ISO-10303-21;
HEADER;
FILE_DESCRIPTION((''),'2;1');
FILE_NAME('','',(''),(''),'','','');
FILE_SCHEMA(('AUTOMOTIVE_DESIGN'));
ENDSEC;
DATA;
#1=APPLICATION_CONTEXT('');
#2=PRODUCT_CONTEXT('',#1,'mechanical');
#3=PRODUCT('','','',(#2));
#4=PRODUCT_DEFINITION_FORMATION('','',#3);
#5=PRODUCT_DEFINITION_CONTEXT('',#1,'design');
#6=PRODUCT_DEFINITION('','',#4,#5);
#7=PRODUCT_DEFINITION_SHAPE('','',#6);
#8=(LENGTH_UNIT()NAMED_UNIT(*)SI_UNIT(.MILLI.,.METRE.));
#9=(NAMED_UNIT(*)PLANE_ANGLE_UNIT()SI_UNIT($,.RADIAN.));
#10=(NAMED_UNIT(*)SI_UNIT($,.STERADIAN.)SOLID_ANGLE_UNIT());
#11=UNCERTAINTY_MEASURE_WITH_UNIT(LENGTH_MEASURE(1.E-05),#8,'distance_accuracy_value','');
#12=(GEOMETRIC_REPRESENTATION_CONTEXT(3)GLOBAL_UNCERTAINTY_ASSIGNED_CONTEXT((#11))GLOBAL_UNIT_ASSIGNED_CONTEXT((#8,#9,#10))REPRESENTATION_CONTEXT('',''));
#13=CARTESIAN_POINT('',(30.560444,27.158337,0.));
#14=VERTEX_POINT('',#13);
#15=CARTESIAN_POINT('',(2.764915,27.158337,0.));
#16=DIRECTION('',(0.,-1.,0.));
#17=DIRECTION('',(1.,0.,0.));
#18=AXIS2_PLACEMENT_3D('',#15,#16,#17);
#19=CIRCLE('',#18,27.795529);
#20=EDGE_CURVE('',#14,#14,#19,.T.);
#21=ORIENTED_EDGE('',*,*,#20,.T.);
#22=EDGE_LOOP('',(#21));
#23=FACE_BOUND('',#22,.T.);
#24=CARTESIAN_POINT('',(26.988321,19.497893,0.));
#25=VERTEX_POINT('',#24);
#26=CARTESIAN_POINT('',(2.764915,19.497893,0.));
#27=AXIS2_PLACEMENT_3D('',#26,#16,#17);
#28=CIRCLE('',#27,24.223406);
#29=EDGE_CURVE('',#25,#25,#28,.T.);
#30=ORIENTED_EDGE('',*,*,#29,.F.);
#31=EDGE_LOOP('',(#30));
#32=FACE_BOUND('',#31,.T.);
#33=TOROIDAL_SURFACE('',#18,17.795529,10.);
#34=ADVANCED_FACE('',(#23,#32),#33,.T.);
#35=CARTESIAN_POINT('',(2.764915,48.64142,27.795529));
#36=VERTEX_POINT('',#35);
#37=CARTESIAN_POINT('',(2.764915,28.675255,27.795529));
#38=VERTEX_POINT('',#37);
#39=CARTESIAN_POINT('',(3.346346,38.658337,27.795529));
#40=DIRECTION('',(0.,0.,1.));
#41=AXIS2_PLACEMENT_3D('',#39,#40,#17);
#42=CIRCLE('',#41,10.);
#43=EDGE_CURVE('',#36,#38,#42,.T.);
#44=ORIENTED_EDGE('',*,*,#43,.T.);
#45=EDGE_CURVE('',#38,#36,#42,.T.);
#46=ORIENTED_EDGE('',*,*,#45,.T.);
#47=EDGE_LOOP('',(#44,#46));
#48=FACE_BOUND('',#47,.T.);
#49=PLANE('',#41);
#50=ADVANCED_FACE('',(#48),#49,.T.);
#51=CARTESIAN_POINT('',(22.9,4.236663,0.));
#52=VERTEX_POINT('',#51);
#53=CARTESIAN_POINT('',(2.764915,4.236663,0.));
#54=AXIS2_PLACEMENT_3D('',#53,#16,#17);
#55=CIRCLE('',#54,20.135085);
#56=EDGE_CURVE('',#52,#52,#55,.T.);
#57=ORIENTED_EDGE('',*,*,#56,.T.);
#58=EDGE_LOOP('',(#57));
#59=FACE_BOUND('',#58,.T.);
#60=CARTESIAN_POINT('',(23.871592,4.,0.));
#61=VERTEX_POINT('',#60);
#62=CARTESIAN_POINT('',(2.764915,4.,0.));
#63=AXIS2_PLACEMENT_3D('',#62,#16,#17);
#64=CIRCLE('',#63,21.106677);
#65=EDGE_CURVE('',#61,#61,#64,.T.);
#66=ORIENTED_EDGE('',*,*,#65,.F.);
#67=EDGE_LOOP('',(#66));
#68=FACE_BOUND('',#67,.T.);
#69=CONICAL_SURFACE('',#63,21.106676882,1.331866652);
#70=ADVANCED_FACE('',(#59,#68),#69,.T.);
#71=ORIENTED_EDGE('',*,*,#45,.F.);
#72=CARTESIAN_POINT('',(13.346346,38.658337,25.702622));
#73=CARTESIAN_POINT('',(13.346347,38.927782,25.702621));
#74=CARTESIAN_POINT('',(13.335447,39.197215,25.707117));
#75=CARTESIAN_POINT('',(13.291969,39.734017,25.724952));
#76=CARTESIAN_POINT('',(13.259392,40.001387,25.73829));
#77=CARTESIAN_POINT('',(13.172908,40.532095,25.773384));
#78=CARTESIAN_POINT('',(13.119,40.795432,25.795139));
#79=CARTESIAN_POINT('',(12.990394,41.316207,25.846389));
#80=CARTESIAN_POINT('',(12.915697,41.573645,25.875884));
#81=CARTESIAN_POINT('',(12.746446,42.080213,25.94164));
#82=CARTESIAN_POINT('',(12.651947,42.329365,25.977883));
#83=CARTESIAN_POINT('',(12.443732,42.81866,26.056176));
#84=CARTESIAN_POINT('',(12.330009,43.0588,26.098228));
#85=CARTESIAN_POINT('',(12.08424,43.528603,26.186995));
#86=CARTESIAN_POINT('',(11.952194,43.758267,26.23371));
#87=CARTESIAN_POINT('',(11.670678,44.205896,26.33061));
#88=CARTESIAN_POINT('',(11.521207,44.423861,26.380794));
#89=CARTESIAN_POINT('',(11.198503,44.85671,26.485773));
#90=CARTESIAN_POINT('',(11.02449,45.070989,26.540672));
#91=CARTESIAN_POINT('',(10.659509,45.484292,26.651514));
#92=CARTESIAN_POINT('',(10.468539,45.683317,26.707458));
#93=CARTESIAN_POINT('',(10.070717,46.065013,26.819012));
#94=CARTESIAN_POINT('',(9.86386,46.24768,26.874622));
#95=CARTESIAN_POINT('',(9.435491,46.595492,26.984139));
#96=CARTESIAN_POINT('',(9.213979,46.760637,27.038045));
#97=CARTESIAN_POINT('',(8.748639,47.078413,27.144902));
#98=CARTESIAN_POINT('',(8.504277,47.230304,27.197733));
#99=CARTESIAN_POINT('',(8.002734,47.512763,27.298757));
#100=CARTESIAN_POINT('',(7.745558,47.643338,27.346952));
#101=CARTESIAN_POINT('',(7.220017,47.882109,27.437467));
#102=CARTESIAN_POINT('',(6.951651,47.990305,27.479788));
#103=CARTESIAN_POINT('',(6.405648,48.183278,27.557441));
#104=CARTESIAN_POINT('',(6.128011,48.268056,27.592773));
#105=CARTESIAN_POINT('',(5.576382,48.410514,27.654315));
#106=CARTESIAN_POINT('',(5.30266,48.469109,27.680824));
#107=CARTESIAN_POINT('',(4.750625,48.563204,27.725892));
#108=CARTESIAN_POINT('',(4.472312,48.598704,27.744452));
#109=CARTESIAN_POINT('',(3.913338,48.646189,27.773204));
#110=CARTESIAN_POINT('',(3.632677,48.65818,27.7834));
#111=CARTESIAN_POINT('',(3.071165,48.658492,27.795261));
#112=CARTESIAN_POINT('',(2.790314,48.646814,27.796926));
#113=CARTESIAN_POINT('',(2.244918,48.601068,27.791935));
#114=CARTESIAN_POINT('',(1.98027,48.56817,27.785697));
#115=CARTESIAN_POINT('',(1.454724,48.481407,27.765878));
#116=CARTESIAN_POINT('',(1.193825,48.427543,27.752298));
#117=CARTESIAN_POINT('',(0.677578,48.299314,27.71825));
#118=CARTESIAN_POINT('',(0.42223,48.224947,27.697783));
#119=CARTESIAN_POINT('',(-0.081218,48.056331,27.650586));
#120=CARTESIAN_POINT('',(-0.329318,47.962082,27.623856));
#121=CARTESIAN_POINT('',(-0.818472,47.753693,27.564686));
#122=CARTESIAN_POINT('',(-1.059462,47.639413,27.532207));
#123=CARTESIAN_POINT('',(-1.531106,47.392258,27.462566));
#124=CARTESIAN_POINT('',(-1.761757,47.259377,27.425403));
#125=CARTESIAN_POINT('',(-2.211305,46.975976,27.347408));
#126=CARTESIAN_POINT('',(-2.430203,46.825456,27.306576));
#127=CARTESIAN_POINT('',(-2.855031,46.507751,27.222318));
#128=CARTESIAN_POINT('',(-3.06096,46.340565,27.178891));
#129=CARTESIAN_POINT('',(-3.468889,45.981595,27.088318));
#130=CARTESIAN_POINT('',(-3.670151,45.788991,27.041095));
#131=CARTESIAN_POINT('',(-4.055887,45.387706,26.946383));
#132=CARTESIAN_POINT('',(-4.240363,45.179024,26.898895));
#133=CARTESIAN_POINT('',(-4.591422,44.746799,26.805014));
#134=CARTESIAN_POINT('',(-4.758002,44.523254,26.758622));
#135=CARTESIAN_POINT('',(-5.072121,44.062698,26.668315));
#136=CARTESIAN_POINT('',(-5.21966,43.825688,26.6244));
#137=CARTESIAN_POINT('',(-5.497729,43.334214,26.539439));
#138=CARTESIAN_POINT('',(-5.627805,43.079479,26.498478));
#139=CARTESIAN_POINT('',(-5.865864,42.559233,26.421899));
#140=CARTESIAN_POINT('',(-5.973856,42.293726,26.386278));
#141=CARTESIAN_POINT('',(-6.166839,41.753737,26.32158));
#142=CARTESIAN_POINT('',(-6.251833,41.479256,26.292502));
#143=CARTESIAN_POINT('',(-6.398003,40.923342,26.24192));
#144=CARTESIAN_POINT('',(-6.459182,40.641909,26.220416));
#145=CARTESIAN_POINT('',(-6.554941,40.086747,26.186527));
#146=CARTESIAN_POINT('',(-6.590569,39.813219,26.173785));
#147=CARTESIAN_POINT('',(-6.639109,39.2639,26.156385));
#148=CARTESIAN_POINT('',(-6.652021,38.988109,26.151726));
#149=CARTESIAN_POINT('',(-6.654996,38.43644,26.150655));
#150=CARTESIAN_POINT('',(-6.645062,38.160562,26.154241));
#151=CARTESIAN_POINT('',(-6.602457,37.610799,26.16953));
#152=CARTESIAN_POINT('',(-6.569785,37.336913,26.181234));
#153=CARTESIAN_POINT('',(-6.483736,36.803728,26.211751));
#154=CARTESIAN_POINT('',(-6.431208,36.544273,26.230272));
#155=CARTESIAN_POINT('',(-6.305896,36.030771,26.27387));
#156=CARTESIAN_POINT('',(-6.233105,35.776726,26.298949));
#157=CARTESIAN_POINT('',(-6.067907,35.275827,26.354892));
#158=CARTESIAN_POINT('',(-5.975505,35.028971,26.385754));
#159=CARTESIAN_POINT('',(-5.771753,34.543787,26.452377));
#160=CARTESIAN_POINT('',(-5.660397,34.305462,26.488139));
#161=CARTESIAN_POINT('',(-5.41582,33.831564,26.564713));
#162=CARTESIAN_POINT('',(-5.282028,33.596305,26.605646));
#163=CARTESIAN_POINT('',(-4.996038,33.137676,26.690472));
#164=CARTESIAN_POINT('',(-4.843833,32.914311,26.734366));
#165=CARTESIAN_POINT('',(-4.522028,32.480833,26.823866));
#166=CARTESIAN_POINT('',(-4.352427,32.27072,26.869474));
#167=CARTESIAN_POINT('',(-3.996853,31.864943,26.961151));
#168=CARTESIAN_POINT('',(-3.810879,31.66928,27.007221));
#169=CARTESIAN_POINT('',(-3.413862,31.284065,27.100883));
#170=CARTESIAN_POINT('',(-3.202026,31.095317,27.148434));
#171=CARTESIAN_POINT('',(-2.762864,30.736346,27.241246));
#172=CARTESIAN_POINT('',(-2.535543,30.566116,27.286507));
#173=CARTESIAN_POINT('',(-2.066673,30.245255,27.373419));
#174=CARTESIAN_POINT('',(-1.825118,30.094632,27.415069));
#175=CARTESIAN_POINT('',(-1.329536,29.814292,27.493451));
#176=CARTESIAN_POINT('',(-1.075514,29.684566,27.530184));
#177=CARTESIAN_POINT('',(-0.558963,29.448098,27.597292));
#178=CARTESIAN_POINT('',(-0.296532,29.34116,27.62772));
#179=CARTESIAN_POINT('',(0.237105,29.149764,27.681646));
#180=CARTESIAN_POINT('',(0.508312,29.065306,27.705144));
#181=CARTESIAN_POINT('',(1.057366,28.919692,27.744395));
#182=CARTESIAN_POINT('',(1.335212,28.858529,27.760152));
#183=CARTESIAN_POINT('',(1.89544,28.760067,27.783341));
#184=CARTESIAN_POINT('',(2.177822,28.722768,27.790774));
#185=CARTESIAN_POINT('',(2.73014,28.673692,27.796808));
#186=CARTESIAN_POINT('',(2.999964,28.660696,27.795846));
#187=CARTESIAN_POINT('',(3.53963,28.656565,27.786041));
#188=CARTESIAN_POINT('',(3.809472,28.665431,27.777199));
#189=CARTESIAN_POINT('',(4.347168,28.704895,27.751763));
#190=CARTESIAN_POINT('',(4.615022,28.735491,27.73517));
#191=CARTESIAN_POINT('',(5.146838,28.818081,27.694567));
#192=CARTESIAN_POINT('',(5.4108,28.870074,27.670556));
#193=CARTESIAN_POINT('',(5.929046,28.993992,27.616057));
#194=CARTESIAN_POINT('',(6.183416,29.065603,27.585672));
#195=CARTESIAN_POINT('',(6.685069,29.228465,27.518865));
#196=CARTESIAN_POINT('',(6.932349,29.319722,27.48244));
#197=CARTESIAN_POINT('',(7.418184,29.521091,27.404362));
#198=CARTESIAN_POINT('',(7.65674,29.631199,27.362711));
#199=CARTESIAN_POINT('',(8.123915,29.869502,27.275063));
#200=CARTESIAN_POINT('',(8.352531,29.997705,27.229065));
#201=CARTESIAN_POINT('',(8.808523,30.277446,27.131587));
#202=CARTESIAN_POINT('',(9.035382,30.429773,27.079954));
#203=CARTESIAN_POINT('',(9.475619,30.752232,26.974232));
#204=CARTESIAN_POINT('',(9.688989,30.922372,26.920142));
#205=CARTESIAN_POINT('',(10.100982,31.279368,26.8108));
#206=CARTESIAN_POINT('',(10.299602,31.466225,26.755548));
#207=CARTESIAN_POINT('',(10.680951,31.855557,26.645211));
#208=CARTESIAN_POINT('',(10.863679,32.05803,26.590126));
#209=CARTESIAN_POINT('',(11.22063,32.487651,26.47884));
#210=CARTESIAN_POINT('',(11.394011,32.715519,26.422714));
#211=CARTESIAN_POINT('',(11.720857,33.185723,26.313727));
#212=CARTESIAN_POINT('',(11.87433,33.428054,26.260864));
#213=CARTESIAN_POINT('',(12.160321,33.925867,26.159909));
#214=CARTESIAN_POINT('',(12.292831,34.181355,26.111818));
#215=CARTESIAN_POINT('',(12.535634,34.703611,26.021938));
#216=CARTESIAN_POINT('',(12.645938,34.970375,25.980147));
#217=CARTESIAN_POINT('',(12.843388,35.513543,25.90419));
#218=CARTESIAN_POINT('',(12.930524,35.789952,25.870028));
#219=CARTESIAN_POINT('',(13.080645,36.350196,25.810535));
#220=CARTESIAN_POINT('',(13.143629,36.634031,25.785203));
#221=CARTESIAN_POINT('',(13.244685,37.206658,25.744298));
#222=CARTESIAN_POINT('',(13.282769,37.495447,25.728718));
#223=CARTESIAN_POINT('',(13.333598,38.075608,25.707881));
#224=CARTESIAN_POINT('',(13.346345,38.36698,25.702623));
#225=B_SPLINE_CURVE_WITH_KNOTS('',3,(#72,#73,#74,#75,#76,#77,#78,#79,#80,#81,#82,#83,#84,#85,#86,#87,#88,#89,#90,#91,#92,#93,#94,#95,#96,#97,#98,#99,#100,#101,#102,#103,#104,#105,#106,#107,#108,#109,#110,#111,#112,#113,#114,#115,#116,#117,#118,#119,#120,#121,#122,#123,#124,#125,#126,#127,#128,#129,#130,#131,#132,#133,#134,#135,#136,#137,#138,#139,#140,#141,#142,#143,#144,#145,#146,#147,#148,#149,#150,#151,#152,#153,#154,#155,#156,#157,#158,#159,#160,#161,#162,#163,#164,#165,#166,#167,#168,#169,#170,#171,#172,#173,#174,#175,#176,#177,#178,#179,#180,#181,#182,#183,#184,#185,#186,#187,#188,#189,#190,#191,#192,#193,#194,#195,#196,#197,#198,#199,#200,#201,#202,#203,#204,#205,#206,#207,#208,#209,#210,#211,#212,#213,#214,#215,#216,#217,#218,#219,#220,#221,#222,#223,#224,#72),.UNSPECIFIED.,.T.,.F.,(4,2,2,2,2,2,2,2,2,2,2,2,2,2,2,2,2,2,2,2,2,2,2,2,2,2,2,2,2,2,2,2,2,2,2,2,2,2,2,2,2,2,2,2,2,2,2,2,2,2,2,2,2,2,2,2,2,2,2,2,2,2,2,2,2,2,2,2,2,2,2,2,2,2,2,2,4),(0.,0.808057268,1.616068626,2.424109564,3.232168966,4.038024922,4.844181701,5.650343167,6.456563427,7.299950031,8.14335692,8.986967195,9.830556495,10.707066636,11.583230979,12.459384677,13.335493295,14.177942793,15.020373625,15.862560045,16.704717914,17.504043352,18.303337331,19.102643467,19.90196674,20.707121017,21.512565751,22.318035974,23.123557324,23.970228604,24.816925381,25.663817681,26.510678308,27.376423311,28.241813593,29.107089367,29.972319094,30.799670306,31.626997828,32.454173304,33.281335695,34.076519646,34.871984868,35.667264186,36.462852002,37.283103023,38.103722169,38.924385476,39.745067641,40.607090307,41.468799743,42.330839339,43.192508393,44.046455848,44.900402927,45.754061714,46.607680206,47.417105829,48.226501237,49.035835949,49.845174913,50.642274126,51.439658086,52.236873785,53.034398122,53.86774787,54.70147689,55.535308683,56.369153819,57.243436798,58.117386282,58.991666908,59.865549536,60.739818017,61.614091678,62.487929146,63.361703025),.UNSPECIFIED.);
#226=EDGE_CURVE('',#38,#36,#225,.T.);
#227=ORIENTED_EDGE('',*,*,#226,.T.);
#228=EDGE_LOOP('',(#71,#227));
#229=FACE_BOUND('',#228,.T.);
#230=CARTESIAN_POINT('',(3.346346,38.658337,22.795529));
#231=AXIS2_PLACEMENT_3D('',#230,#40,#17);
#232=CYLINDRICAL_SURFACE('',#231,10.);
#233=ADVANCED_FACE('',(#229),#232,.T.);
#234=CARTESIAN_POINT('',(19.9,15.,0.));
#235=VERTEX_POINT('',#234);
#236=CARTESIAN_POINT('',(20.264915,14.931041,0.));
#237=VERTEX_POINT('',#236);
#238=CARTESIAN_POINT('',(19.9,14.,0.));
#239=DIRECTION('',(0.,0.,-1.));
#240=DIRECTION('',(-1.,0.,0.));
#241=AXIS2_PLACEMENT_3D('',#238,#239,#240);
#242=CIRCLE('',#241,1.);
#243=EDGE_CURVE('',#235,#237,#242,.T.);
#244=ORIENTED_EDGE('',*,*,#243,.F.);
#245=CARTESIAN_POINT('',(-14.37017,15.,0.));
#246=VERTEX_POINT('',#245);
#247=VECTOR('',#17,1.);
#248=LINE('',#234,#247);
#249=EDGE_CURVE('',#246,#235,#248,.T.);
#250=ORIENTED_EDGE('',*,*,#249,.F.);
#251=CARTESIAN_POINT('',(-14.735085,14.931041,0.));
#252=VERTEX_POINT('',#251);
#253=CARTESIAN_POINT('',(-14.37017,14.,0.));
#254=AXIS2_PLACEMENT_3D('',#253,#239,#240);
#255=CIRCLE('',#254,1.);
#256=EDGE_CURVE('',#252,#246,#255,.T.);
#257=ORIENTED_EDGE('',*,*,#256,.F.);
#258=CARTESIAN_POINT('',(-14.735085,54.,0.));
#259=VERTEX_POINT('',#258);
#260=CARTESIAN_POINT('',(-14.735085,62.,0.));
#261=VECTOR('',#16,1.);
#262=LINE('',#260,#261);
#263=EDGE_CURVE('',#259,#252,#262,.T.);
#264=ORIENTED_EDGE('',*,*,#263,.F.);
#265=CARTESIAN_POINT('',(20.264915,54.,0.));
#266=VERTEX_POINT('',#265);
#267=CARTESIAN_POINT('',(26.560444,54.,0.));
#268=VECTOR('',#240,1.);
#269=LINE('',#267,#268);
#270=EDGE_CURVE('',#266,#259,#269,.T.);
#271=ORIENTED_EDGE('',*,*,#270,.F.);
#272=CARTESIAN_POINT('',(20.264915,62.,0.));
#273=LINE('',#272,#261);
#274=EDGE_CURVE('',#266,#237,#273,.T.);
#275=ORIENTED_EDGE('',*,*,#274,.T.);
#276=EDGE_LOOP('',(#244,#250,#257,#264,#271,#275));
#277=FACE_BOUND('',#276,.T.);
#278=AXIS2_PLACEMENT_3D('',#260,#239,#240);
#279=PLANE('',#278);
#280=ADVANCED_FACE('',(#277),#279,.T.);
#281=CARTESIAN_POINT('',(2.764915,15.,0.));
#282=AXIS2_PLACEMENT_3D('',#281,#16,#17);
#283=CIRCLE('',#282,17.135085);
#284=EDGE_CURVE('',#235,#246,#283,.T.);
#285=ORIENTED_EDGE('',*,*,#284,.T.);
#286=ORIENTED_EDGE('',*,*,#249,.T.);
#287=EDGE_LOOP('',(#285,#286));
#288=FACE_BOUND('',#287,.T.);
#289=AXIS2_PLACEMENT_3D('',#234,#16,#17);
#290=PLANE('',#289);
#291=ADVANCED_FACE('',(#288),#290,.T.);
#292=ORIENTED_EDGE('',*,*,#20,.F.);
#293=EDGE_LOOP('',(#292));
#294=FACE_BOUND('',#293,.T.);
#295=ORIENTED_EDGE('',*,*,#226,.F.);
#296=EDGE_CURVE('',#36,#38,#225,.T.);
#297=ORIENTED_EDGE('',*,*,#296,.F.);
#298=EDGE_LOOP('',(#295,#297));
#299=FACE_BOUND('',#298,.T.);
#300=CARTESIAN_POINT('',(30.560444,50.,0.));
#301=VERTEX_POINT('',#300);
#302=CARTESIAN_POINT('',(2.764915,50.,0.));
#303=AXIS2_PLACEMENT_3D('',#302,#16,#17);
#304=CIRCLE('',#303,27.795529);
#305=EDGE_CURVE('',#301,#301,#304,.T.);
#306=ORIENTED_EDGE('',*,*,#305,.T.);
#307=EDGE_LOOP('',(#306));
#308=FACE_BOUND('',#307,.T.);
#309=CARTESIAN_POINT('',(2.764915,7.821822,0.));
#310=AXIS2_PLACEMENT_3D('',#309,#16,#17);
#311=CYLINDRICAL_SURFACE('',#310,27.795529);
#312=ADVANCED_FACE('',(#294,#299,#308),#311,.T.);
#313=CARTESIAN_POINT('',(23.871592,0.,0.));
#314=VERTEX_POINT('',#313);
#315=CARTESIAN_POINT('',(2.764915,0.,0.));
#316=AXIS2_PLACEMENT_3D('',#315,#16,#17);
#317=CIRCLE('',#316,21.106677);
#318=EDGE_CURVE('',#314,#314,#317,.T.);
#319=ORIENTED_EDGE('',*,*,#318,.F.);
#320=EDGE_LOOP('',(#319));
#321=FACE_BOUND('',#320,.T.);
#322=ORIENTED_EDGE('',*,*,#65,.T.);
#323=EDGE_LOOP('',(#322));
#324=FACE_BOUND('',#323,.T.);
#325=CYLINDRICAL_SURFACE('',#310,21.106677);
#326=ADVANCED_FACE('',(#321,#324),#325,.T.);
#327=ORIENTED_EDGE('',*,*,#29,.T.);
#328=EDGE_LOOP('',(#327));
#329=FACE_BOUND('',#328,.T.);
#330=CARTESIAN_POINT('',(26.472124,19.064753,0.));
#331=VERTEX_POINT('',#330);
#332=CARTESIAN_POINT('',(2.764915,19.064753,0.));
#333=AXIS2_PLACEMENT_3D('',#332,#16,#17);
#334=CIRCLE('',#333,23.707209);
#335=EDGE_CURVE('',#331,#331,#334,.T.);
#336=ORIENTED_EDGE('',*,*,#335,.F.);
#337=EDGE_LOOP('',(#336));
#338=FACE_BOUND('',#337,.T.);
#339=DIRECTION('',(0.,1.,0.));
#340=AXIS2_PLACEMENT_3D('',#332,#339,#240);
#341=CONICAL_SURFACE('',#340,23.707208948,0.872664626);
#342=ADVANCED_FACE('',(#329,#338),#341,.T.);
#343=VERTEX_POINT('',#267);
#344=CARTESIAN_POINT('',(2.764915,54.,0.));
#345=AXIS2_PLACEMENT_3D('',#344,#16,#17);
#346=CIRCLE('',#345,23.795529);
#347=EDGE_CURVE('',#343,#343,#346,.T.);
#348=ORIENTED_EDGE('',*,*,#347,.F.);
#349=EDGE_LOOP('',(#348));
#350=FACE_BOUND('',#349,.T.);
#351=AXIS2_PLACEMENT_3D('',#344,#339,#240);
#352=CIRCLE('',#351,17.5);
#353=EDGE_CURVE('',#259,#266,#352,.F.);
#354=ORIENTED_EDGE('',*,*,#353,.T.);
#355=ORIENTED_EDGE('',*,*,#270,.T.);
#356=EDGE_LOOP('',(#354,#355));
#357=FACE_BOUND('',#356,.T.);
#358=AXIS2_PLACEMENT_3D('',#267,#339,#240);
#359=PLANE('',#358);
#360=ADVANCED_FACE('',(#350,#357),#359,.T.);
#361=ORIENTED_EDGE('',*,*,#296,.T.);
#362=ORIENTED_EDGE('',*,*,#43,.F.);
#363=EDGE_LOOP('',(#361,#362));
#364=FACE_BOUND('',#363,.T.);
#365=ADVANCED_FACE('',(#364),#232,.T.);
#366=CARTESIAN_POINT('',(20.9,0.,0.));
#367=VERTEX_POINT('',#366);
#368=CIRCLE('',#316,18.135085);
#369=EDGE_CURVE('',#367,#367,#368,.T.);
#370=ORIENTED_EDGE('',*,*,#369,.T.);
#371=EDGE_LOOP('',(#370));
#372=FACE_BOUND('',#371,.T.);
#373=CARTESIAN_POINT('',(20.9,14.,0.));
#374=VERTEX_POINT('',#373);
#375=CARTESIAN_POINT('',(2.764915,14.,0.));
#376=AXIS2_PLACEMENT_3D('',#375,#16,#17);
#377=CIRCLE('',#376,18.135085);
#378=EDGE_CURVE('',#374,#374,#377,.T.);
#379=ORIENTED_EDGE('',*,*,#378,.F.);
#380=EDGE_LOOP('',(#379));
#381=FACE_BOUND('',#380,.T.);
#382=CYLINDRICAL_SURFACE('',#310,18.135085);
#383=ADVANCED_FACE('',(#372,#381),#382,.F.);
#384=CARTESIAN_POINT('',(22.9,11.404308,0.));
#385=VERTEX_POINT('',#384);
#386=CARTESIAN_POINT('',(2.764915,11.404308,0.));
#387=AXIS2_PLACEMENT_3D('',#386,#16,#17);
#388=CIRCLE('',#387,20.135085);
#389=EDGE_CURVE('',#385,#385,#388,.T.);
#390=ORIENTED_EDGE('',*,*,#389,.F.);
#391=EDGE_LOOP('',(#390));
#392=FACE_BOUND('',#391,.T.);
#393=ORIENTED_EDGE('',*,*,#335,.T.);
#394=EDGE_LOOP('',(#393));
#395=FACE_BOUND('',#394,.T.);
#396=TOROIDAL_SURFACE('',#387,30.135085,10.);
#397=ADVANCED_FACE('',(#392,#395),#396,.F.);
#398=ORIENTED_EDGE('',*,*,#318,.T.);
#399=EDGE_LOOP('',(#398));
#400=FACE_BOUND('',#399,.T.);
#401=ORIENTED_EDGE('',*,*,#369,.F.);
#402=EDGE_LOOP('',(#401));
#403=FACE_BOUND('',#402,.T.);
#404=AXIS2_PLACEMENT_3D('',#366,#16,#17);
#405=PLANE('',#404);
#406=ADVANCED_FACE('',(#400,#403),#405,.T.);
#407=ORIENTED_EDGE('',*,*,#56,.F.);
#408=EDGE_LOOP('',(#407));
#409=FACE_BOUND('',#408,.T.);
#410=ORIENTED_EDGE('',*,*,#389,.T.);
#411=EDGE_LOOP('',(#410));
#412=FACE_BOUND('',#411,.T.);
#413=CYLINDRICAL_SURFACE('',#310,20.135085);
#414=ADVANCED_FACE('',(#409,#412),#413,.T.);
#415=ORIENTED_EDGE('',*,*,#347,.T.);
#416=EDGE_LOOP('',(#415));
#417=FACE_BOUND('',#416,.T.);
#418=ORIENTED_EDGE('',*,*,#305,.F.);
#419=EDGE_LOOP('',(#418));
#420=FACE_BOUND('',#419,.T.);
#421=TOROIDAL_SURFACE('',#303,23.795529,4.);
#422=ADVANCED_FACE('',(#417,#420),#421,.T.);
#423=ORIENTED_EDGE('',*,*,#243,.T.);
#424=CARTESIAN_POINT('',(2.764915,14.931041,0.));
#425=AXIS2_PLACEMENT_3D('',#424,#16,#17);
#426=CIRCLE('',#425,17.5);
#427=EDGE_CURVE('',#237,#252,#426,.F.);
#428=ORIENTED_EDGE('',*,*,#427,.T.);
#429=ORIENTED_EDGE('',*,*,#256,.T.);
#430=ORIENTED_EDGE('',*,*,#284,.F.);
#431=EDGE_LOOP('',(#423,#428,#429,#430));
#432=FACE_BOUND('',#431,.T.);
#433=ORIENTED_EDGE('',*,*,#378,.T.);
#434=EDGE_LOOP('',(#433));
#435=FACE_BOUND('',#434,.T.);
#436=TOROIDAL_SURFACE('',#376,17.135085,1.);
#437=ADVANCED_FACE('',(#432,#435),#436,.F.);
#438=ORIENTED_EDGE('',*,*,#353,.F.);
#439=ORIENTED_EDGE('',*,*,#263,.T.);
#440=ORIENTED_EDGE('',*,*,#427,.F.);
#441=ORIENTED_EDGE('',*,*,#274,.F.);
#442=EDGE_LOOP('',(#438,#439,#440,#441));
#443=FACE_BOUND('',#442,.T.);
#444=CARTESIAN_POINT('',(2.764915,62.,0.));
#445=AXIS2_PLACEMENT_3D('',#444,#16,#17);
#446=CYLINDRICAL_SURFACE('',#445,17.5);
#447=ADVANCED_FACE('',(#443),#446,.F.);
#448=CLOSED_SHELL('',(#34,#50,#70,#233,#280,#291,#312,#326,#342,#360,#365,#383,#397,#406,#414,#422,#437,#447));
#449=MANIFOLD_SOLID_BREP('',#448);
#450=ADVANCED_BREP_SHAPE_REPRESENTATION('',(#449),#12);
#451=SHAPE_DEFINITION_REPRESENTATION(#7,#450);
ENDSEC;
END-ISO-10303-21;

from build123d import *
from build123d.topology import SkipClean

# Parameters (mm, degrees)
SKETCH10_R              = 10
BOSS_EXTRUDE1_DEPTH     = 5
CUT_EXTRUDE3_DEPTH      = 45
CUT_EXTRUDE3_DEPTH_BACK = 20


with BuildPart() as part:
    # Sketch1 → Revolve1 (revolve)
    with BuildSketch(Plane.XY):
        with BuildLine():
            Line((20.9, 0), (23.871591838, 0))
            Line((23.871591838, 0), (23.871591838, 4))
            Line((23.871591838, 4), (22.9, 4.236662843))
            Line((22.9, 4.236662843), (22.9, 11.404308102))
            ThreePointArc((22.9, 11.404308102), (23.83692213, 15.63049072), (26.472123903, 19.064752533))
            Line((26.472123903, 19.064752533), (26.988320528, 19.497892931))
            ThreePointArc((26.988320528, 19.497892931), (29.623522302, 22.932154745), (30.560444431, 27.158337362))
            Line((30.560444431, 27.158337362), (30.560444431, 50))
            ThreePointArc((30.560444431, 50), (29.388871556, 52.828427125), (26.560444431, 54))
            Line((26.560444431, 54), (2.764914955, 54))
            Line((2.764914955, 54), (2.764914955, 15))
            Line((2.764914955, 15), (19.9, 15))
            ThreePointArc((19.9, 15), (20.607106781, 14.707106781), (20.9, 14))
            Line((20.9, 14), (20.9, 0))
        make_face()
    revolve(axis=Axis((2.764914955, 7.821821657, 0), (0, 1, 0)))

    # Sketch10 → Boss-Extrude1 (add)
    with SkipClean():  # the faces are left unmerged after this step: merging them gives an invalid solid
        with BuildSketch(Plane.XY.offset(27.795529476)):
            with Locations((3.346345887, 38.658337362)):
                Circle(SKETCH10_R)
        extrude(amount=-BOSS_EXTRUDE1_DEPTH)

    # Sketch11 → Cut-Extrude3 (cut, two sides: drawn at the far end of the back side and taken through both)
    with SkipClean():  # the faces are left unmerged after this step: merging them gives an invalid solid
        with BuildSketch(Plane(origin=(0, 17, 0), x_dir=(1, 0, 0), z_dir=(0, 1, 0)).offset(-CUT_EXTRUDE3_DEPTH_BACK)):
            with BuildLine():
                Line((-14.735085045, 0), (20.264914955, 0))
                ThreePointArc((20.264914955, 0), (2.764914955, 17.5), (-14.735085045, 0))
            make_face()
        extrude(amount=CUT_EXTRUDE3_DEPTH + CUT_EXTRUDE3_DEPTH_BACK, mode=Mode.SUBTRACT)


solid = part.part
